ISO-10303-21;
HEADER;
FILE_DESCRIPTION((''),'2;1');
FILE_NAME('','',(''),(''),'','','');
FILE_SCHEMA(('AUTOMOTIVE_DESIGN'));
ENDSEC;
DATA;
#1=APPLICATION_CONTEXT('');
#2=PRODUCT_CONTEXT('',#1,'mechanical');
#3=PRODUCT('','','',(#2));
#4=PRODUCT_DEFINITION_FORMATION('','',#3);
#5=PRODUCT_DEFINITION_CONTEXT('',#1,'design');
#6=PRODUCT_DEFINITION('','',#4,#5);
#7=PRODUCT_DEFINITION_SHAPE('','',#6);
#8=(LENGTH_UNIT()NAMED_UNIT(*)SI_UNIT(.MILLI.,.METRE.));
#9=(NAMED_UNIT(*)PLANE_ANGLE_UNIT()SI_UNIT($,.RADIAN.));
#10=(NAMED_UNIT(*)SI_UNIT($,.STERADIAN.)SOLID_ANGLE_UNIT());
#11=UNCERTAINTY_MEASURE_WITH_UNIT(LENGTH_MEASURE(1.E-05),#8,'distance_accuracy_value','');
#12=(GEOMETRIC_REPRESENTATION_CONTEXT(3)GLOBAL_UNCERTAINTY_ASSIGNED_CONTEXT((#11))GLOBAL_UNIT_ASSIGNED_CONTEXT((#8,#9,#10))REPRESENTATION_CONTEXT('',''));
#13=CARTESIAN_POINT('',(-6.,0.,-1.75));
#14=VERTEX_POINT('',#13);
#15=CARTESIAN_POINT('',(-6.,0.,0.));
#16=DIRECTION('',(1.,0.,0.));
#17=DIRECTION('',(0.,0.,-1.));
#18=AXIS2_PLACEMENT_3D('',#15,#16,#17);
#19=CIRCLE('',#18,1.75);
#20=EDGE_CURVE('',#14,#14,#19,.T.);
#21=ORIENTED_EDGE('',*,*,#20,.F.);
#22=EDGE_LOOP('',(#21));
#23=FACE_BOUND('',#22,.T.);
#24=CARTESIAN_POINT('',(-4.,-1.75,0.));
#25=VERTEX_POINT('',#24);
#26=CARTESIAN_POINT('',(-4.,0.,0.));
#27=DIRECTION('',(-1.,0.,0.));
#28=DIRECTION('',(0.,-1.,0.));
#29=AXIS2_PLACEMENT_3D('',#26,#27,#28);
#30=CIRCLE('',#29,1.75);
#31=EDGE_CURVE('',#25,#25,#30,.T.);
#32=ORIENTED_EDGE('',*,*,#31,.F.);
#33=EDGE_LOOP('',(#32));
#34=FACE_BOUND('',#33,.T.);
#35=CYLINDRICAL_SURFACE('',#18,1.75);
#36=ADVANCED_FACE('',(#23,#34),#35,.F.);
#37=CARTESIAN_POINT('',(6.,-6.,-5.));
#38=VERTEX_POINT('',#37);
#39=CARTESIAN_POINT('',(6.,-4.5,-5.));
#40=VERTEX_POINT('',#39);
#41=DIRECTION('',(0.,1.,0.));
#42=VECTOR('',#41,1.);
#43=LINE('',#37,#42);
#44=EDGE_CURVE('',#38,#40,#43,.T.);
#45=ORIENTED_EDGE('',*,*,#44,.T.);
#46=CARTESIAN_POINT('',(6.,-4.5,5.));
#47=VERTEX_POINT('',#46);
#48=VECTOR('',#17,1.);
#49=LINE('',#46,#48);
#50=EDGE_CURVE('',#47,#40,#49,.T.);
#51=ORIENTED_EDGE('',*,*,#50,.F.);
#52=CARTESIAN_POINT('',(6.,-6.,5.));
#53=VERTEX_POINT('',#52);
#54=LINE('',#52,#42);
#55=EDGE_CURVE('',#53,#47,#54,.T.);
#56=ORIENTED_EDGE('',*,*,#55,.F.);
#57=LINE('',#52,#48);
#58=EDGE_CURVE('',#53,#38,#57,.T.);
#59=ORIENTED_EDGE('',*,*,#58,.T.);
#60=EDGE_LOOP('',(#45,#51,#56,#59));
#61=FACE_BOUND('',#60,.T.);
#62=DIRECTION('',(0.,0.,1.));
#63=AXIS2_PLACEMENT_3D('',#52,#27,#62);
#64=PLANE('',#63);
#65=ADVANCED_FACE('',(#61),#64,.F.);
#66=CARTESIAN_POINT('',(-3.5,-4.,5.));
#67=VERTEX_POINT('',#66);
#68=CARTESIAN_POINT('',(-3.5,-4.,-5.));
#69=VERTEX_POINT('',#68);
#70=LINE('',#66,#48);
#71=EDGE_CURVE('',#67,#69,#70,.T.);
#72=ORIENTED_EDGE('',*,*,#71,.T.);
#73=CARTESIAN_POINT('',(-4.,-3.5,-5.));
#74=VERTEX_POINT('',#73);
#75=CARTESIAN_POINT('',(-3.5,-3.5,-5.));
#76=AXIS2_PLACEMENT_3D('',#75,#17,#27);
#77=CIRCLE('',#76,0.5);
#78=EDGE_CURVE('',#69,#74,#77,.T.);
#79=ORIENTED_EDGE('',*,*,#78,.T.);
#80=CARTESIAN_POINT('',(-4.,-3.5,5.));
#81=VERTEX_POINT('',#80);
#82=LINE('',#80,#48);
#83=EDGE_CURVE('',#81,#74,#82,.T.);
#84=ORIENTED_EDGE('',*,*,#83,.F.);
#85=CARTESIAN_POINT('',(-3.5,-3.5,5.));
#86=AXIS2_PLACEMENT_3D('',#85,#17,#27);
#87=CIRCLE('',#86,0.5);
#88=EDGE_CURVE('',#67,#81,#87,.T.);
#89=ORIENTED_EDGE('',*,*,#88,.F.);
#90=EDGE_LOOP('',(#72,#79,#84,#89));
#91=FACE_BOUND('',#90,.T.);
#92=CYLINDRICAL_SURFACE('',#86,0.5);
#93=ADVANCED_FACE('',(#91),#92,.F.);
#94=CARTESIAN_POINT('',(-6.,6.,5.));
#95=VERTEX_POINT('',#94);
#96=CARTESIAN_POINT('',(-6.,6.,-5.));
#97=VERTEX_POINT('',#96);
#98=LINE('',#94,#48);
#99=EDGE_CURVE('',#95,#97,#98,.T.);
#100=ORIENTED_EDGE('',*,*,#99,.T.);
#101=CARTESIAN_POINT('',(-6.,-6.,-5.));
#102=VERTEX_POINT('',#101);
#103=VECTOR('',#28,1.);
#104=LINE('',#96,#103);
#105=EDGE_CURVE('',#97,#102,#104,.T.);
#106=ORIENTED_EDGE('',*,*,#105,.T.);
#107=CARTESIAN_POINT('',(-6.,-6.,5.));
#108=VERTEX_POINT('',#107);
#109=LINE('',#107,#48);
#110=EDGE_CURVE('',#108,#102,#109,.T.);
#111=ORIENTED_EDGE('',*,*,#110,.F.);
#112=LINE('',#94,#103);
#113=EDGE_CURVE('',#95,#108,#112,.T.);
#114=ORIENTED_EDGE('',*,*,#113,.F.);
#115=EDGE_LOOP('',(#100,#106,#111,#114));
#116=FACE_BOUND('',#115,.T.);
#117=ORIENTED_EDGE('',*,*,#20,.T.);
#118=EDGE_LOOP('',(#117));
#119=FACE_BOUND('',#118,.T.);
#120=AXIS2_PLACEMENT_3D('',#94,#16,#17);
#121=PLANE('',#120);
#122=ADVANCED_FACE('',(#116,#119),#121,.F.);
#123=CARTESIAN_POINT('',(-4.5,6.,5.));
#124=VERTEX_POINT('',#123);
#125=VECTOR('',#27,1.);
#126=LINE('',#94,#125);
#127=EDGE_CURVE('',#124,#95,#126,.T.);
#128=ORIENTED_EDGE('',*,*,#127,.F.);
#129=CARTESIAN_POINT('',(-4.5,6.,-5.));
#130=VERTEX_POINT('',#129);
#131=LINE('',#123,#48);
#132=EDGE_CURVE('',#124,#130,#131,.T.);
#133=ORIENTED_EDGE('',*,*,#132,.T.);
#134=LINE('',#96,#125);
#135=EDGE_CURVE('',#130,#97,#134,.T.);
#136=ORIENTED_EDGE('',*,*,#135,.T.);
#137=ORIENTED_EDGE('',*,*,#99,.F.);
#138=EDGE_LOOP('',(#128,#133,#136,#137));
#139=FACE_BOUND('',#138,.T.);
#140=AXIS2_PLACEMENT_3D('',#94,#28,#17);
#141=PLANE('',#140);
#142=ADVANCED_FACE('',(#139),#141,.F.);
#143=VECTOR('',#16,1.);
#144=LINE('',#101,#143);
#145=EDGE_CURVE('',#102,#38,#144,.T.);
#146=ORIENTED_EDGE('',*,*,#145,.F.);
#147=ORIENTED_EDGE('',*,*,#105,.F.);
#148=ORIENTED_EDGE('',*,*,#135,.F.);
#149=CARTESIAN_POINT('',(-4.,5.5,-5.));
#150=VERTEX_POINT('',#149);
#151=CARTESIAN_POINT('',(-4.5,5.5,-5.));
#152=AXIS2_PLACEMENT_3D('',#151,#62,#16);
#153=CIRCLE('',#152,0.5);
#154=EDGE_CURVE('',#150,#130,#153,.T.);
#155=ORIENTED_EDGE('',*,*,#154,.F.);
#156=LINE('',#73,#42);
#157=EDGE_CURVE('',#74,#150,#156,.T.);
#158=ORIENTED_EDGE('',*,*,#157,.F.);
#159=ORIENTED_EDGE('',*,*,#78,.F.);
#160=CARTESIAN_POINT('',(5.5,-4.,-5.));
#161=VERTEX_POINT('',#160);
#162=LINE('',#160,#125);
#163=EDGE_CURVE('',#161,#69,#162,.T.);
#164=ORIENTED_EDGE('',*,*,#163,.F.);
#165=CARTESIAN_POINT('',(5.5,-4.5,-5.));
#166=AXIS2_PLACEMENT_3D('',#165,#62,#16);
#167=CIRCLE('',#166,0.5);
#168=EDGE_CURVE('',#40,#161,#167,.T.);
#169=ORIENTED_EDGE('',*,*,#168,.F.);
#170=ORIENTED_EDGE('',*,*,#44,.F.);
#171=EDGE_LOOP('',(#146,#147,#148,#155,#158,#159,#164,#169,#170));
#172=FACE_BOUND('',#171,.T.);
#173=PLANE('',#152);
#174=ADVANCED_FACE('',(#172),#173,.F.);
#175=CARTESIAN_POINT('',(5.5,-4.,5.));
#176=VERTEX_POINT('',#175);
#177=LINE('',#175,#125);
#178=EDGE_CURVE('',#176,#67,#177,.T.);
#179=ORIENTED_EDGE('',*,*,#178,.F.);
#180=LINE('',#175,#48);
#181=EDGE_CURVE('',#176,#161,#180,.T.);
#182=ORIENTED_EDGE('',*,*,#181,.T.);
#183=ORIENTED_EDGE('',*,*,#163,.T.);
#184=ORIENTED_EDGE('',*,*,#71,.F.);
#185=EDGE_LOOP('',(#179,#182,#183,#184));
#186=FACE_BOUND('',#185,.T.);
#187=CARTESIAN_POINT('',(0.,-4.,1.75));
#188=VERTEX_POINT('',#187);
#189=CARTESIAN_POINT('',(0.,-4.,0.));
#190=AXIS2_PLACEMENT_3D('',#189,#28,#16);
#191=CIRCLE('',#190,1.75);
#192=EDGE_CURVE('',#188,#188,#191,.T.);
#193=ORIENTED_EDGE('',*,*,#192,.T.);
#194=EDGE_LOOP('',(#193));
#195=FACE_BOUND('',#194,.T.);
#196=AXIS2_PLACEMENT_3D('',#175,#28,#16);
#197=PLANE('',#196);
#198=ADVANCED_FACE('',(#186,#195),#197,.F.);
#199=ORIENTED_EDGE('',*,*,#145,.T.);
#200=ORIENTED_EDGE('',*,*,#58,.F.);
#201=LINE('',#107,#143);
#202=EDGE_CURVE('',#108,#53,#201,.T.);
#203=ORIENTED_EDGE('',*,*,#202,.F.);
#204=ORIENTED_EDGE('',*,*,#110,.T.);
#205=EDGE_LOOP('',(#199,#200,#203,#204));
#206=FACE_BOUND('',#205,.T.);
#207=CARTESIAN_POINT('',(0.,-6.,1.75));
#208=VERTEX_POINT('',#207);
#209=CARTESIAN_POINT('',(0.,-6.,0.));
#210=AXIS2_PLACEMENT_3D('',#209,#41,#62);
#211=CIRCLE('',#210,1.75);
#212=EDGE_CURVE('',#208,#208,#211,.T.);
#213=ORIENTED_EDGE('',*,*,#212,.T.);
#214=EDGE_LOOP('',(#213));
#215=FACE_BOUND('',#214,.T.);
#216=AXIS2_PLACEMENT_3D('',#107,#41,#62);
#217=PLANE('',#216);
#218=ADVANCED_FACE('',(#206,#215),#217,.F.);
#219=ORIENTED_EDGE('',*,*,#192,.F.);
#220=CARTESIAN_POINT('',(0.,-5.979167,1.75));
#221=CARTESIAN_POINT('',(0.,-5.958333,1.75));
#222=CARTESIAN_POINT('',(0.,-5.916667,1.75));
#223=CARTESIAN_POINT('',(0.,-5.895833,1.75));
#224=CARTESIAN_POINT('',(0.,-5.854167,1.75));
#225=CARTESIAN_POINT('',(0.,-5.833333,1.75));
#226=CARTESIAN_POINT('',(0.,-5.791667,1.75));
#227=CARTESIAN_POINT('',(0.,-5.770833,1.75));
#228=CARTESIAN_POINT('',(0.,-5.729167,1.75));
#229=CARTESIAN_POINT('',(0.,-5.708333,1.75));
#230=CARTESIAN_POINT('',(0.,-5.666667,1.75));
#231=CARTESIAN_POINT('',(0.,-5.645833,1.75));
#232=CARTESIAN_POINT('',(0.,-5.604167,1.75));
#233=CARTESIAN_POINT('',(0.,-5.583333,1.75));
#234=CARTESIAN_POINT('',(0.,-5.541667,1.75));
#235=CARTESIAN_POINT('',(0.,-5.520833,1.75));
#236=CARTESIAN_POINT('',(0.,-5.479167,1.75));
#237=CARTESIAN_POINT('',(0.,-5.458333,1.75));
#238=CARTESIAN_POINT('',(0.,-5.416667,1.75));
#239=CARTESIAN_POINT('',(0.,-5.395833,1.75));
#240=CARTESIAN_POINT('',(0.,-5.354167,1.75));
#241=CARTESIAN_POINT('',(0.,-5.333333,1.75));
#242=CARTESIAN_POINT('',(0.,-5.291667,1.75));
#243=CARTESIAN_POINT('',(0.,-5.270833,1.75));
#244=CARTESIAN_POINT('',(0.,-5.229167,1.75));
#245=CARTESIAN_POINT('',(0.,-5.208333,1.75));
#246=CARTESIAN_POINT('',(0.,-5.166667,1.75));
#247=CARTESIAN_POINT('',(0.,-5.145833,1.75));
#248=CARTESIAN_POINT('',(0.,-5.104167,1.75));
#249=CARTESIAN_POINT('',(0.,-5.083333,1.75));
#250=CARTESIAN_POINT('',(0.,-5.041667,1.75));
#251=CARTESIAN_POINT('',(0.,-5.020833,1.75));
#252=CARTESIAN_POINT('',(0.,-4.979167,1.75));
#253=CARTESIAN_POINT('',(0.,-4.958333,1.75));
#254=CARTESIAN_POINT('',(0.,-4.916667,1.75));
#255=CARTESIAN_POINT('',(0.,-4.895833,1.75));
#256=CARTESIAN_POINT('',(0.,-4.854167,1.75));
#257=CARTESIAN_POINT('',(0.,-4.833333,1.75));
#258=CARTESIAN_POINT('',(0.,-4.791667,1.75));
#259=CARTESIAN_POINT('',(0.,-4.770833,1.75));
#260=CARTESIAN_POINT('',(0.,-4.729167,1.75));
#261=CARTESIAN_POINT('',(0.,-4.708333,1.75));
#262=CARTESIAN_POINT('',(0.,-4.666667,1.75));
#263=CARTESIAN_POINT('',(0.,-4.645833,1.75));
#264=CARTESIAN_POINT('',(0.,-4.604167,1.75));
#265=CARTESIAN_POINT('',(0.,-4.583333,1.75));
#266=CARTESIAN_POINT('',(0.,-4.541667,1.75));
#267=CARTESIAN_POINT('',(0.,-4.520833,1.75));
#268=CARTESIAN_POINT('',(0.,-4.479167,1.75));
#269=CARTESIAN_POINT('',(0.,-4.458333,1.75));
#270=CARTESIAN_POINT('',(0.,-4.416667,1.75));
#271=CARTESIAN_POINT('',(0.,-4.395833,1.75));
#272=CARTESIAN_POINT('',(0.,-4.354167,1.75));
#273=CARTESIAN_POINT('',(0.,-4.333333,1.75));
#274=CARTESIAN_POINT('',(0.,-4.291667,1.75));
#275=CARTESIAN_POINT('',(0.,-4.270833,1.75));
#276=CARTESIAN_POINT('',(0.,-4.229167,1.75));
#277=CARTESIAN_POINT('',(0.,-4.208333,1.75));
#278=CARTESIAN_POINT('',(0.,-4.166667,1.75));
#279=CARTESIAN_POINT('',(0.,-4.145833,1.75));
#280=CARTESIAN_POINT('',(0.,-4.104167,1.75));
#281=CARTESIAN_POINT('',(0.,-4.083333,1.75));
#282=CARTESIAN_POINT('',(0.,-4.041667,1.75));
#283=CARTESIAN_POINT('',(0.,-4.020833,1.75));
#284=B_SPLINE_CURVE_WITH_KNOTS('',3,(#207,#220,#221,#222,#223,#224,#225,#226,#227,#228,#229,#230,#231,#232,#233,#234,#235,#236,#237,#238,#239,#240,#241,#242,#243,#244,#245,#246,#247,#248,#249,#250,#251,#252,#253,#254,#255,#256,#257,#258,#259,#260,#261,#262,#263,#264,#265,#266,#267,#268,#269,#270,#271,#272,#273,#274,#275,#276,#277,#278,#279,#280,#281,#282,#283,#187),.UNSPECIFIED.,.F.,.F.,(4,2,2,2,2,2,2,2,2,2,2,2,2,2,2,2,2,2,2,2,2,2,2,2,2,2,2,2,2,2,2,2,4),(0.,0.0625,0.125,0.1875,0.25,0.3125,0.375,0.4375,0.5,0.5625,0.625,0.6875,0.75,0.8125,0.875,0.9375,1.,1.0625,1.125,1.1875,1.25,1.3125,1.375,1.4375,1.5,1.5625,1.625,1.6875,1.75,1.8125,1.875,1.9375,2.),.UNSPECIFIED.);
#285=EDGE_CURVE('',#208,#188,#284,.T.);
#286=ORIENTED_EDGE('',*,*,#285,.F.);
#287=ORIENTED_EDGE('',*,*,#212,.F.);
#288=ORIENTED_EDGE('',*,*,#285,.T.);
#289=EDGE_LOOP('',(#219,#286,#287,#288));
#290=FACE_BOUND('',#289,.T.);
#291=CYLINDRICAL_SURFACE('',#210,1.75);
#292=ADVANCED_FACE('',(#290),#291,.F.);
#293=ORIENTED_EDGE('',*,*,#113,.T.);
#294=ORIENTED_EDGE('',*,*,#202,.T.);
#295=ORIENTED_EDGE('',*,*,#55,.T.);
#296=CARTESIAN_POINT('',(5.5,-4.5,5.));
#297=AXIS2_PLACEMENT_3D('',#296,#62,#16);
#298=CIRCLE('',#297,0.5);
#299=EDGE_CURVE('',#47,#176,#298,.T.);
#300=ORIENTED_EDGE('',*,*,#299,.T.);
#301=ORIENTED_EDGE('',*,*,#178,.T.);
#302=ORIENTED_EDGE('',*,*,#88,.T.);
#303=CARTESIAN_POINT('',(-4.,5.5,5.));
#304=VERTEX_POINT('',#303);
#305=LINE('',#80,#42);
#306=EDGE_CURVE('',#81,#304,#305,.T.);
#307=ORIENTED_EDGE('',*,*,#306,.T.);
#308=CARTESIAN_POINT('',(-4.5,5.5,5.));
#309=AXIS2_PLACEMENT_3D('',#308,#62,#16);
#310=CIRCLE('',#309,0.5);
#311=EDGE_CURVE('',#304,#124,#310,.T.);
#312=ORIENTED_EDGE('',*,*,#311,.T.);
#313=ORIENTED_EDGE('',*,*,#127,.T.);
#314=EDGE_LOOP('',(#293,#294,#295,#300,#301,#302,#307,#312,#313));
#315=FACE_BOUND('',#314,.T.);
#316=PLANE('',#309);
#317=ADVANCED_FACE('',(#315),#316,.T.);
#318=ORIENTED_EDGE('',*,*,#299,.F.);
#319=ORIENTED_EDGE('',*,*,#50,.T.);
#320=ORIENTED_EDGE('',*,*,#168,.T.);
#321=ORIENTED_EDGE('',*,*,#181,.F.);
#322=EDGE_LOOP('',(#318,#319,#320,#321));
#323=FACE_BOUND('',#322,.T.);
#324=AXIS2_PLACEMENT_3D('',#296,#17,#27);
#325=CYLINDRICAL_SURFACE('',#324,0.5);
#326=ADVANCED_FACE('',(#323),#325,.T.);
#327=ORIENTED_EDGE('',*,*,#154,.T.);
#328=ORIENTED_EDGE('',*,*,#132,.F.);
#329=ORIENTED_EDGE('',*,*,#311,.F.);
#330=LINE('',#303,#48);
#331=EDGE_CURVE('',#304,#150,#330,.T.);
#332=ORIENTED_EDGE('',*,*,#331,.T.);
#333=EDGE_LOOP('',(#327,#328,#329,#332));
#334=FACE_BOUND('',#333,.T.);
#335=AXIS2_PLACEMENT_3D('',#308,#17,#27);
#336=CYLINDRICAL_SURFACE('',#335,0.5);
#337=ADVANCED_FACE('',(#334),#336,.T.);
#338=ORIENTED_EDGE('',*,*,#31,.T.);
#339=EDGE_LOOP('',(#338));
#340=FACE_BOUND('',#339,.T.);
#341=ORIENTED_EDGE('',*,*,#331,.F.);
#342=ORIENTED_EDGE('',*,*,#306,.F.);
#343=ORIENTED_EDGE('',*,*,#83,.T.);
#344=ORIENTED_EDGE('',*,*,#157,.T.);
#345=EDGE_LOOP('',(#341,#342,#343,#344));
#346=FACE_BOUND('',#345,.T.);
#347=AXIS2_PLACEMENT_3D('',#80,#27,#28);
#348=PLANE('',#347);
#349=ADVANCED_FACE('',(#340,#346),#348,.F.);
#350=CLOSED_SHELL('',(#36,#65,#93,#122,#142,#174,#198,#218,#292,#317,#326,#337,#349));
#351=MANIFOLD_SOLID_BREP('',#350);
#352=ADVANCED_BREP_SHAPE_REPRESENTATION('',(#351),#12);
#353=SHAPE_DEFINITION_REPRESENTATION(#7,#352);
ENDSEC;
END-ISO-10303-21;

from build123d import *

# Parameters (mm, degrees)
BOSS_EXTRUDE1_START = -5
BOSS_EXTRUDE1_DEPTH = 10
SKETCH5_R           = 1.75
CUT_EXTRUDE1_DEPTH  = 10.848857802
SKETCH6_R           = 1.75
CUT_EXTRUDE2_DEPTH  = 10.848857802


with BuildPart() as part:
    # Sketch4 → Boss-Extrude1 (new body)
    with BuildSketch(Plane.XY.offset(BOSS_EXTRUDE1_START)):
        with BuildLine():
            Line((-6, 6), (-6, -6))
            Line((-6, -6), (6, -6))
            Line((6, -6), (6, -4.5))
            ThreePointArc((6, -4.5), (5.853553391, -4.146446609), (5.5, -4))
            Line((5.5, -4), (-3.5, -4))
            ThreePointArc((-3.5, -4), (-3.853553391, -3.853553391), (-4, -3.5))
            Line((-4, -3.5), (-4, 5.5))
            ThreePointArc((-4, 5.5), (-4.146446609, 5.853553391), (-4.5, 6))
            Line((-4.5, 6), (-6, 6))
        make_face()
    extrude(amount=BOSS_EXTRUDE1_DEPTH)

    # Sketch5 → Cut-Extrude1 (cut, through all)
    with BuildSketch(Plane(origin=(0, 0, 0), x_dir=(0, 0, -1), z_dir=(1, 0, 0))):
        Circle(SKETCH5_R)
    extrude(amount=-CUT_EXTRUDE1_DEPTH, mode=Mode.SUBTRACT)

    # Sketch6 → Cut-Extrude2 (cut, through all)
    with BuildSketch(Plane(origin=(0, 0, 0), x_dir=(1, 0, 0), z_dir=(0, 1, 0))):
        with Locations(Location((0, 0, 0), (0, 0, 270))):
            Circle(SKETCH6_R)
    extrude(amount=-CUT_EXTRUDE2_DEPTH, mode=Mode.SUBTRACT)


solid = part.part
